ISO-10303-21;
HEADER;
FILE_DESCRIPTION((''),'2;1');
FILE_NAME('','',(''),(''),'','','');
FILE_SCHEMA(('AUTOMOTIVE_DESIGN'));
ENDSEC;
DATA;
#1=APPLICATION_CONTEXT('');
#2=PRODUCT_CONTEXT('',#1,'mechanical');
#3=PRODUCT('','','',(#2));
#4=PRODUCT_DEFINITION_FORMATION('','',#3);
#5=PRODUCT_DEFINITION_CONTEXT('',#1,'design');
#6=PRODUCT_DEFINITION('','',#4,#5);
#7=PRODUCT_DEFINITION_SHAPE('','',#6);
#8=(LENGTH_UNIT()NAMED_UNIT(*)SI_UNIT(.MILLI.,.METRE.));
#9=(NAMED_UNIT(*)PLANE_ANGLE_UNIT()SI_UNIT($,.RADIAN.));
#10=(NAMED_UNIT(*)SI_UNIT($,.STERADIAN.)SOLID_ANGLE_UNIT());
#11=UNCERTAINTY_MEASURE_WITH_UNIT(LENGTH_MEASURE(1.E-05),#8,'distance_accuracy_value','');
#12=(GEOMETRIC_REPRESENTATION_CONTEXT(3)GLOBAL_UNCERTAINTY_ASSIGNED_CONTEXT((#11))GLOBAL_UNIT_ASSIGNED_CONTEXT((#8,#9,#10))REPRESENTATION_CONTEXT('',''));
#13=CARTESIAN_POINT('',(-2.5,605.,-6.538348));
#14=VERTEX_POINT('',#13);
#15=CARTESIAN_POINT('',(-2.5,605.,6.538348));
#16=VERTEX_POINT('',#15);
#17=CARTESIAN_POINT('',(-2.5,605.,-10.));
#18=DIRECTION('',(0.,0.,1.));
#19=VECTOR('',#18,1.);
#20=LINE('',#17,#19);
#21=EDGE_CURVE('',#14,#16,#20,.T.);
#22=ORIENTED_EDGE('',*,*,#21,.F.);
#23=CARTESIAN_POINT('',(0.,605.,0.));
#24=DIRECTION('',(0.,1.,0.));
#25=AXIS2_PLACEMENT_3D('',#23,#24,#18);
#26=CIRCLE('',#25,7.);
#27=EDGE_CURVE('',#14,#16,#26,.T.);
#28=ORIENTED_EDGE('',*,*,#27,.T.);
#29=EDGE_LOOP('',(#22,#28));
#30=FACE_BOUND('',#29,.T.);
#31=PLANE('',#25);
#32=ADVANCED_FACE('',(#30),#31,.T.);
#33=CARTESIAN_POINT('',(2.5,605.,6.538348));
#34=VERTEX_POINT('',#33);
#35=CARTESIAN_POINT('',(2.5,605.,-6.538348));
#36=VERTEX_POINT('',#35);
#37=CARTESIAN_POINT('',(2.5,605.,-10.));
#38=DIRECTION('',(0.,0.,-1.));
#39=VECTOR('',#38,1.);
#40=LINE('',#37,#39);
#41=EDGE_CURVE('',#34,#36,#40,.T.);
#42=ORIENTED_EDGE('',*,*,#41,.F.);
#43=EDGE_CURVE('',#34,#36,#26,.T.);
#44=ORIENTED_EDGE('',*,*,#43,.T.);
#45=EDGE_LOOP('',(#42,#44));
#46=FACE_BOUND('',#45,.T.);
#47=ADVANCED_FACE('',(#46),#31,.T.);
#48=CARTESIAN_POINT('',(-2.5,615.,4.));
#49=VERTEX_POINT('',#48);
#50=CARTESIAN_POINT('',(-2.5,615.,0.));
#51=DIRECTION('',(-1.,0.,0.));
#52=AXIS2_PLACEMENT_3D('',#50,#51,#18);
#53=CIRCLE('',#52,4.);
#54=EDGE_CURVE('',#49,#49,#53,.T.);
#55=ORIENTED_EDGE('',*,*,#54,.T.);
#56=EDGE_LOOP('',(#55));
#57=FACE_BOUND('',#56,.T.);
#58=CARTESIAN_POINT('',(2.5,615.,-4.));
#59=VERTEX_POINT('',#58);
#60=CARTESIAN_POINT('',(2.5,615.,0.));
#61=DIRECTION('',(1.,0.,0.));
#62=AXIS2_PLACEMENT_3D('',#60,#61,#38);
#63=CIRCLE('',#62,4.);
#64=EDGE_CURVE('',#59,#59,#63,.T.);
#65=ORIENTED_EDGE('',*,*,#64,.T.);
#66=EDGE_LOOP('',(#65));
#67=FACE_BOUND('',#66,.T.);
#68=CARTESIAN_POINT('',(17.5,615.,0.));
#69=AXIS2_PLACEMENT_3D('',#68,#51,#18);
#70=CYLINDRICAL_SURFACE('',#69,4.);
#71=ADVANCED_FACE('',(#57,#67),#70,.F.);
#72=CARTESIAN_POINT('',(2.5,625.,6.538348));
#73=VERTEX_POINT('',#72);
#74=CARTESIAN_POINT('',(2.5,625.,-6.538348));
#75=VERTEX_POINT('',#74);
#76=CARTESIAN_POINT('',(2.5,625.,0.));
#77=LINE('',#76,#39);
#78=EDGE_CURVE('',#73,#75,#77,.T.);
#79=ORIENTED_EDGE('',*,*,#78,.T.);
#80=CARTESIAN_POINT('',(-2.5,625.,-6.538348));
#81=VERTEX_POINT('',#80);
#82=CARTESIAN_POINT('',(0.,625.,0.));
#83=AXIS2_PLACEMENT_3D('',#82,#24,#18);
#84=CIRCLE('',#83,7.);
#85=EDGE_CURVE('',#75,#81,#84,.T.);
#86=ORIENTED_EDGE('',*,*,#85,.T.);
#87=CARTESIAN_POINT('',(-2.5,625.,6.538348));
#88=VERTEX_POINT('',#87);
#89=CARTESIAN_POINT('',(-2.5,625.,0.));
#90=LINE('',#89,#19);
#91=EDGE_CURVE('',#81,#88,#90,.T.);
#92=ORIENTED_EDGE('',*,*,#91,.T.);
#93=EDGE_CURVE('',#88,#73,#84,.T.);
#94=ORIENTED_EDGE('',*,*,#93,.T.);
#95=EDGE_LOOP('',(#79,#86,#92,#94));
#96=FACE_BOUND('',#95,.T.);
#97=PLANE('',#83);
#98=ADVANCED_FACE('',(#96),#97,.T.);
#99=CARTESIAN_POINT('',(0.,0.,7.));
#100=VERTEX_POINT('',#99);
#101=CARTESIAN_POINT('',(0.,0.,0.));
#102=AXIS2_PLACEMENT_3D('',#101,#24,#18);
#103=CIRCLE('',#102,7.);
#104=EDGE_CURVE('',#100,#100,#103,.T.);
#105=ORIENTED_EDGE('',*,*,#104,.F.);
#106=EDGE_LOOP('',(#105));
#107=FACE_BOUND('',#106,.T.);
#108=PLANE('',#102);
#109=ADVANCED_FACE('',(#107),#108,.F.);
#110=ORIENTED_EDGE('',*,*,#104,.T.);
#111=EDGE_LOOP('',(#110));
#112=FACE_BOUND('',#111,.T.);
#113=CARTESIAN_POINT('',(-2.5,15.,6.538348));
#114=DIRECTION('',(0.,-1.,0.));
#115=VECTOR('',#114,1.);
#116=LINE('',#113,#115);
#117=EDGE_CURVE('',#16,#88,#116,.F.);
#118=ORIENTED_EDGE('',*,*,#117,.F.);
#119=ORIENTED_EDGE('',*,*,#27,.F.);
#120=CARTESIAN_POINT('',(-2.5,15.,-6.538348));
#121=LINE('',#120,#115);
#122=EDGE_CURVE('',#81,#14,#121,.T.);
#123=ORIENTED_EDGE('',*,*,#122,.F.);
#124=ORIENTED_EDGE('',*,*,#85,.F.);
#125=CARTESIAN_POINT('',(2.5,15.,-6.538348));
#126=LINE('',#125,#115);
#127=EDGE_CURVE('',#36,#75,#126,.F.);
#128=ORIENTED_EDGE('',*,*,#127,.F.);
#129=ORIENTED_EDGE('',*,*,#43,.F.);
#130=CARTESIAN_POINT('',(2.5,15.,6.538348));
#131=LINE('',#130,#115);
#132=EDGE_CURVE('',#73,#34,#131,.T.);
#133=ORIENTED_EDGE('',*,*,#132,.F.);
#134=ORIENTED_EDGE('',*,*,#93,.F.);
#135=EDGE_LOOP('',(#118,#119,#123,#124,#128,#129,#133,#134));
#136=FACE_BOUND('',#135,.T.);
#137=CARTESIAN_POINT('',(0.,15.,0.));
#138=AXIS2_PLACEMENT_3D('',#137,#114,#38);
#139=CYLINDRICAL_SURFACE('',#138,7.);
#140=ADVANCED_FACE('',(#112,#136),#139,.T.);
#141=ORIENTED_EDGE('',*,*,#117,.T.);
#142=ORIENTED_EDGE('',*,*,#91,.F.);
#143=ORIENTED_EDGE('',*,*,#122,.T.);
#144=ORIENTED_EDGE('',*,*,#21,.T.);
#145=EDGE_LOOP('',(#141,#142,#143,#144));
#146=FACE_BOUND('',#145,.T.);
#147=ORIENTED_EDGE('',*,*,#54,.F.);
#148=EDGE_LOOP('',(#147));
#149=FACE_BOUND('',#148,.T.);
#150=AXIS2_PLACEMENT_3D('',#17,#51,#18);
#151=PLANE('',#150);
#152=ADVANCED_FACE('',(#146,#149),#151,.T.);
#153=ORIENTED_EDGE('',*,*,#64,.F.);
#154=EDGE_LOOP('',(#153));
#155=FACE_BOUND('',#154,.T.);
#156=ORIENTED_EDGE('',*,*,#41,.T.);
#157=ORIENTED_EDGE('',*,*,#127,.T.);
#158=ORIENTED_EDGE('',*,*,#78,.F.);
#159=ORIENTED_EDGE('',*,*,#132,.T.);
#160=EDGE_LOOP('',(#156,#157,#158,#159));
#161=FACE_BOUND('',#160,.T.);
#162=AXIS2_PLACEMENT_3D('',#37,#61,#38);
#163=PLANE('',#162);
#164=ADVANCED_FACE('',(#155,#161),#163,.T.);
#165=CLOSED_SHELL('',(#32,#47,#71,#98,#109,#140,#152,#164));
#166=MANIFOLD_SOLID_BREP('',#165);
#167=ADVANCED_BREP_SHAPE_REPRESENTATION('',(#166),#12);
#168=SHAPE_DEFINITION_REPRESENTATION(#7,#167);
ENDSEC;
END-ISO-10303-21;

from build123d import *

# Parameters (mm, degrees)
SKETCH_1_R           = 7
EXTRUDE_1_DEPTH      = 15
SKETCH_2_R           = 7
EXTRUDE_2_DEPTH      = 610
SKETCH_3_OUTSIDE_W   = 141.062
SKETCH_3_OUTSIDE_H   = 141.062
SKETCH_3_OUTSIDE_W_2 = 5
SKETCH_3_OUTSIDE_H_2 = 20
CUT_EXTRUDE_1_DEPTH  = 20
SKETCH_4_R           = 4
CUT_EXTRUDE_2_DEPTH  = 20


with BuildPart() as part:
    # 草图1 → 凸台-拉伸1 (new body)
    with BuildSketch(Plane(origin=(0, 0, 0), x_dir=(1, 0, 0), z_dir=(0, 1, 0))):
        Circle(SKETCH_1_R)
    extrude(amount=EXTRUDE_1_DEPTH)

    # 草图2 → 凸台-拉伸2 (add)
    with BuildSketch(Plane(origin=(0, 15, 0), x_dir=(1, 0, 0), z_dir=(0, 1, 0))):
        Circle(SKETCH_2_R)
    extrude(amount=EXTRUDE_2_DEPTH)

    # 草图3 outside → 切除-拉伸1 (cut)
    with BuildSketch(Plane(origin=(0, 625, 0), x_dir=(1, 0, 0), z_dir=(0, 1, 0))):
        Rectangle(SKETCH_3_OUTSIDE_W, SKETCH_3_OUTSIDE_H)
        Rectangle(SKETCH_3_OUTSIDE_W_2, SKETCH_3_OUTSIDE_H_2, mode=Mode.SUBTRACT)
    extrude(amount=-CUT_EXTRUDE_1_DEPTH, mode=Mode.SUBTRACT)

    # 草图4 → 切除-拉伸2 (cut)
    with BuildSketch(Plane.ZY.offset(2.5)):
        with Locations((0, 615)):
            Circle(SKETCH_4_R)
    extrude(amount=-CUT_EXTRUDE_2_DEPTH, mode=Mode.SUBTRACT)


solid = part.part
